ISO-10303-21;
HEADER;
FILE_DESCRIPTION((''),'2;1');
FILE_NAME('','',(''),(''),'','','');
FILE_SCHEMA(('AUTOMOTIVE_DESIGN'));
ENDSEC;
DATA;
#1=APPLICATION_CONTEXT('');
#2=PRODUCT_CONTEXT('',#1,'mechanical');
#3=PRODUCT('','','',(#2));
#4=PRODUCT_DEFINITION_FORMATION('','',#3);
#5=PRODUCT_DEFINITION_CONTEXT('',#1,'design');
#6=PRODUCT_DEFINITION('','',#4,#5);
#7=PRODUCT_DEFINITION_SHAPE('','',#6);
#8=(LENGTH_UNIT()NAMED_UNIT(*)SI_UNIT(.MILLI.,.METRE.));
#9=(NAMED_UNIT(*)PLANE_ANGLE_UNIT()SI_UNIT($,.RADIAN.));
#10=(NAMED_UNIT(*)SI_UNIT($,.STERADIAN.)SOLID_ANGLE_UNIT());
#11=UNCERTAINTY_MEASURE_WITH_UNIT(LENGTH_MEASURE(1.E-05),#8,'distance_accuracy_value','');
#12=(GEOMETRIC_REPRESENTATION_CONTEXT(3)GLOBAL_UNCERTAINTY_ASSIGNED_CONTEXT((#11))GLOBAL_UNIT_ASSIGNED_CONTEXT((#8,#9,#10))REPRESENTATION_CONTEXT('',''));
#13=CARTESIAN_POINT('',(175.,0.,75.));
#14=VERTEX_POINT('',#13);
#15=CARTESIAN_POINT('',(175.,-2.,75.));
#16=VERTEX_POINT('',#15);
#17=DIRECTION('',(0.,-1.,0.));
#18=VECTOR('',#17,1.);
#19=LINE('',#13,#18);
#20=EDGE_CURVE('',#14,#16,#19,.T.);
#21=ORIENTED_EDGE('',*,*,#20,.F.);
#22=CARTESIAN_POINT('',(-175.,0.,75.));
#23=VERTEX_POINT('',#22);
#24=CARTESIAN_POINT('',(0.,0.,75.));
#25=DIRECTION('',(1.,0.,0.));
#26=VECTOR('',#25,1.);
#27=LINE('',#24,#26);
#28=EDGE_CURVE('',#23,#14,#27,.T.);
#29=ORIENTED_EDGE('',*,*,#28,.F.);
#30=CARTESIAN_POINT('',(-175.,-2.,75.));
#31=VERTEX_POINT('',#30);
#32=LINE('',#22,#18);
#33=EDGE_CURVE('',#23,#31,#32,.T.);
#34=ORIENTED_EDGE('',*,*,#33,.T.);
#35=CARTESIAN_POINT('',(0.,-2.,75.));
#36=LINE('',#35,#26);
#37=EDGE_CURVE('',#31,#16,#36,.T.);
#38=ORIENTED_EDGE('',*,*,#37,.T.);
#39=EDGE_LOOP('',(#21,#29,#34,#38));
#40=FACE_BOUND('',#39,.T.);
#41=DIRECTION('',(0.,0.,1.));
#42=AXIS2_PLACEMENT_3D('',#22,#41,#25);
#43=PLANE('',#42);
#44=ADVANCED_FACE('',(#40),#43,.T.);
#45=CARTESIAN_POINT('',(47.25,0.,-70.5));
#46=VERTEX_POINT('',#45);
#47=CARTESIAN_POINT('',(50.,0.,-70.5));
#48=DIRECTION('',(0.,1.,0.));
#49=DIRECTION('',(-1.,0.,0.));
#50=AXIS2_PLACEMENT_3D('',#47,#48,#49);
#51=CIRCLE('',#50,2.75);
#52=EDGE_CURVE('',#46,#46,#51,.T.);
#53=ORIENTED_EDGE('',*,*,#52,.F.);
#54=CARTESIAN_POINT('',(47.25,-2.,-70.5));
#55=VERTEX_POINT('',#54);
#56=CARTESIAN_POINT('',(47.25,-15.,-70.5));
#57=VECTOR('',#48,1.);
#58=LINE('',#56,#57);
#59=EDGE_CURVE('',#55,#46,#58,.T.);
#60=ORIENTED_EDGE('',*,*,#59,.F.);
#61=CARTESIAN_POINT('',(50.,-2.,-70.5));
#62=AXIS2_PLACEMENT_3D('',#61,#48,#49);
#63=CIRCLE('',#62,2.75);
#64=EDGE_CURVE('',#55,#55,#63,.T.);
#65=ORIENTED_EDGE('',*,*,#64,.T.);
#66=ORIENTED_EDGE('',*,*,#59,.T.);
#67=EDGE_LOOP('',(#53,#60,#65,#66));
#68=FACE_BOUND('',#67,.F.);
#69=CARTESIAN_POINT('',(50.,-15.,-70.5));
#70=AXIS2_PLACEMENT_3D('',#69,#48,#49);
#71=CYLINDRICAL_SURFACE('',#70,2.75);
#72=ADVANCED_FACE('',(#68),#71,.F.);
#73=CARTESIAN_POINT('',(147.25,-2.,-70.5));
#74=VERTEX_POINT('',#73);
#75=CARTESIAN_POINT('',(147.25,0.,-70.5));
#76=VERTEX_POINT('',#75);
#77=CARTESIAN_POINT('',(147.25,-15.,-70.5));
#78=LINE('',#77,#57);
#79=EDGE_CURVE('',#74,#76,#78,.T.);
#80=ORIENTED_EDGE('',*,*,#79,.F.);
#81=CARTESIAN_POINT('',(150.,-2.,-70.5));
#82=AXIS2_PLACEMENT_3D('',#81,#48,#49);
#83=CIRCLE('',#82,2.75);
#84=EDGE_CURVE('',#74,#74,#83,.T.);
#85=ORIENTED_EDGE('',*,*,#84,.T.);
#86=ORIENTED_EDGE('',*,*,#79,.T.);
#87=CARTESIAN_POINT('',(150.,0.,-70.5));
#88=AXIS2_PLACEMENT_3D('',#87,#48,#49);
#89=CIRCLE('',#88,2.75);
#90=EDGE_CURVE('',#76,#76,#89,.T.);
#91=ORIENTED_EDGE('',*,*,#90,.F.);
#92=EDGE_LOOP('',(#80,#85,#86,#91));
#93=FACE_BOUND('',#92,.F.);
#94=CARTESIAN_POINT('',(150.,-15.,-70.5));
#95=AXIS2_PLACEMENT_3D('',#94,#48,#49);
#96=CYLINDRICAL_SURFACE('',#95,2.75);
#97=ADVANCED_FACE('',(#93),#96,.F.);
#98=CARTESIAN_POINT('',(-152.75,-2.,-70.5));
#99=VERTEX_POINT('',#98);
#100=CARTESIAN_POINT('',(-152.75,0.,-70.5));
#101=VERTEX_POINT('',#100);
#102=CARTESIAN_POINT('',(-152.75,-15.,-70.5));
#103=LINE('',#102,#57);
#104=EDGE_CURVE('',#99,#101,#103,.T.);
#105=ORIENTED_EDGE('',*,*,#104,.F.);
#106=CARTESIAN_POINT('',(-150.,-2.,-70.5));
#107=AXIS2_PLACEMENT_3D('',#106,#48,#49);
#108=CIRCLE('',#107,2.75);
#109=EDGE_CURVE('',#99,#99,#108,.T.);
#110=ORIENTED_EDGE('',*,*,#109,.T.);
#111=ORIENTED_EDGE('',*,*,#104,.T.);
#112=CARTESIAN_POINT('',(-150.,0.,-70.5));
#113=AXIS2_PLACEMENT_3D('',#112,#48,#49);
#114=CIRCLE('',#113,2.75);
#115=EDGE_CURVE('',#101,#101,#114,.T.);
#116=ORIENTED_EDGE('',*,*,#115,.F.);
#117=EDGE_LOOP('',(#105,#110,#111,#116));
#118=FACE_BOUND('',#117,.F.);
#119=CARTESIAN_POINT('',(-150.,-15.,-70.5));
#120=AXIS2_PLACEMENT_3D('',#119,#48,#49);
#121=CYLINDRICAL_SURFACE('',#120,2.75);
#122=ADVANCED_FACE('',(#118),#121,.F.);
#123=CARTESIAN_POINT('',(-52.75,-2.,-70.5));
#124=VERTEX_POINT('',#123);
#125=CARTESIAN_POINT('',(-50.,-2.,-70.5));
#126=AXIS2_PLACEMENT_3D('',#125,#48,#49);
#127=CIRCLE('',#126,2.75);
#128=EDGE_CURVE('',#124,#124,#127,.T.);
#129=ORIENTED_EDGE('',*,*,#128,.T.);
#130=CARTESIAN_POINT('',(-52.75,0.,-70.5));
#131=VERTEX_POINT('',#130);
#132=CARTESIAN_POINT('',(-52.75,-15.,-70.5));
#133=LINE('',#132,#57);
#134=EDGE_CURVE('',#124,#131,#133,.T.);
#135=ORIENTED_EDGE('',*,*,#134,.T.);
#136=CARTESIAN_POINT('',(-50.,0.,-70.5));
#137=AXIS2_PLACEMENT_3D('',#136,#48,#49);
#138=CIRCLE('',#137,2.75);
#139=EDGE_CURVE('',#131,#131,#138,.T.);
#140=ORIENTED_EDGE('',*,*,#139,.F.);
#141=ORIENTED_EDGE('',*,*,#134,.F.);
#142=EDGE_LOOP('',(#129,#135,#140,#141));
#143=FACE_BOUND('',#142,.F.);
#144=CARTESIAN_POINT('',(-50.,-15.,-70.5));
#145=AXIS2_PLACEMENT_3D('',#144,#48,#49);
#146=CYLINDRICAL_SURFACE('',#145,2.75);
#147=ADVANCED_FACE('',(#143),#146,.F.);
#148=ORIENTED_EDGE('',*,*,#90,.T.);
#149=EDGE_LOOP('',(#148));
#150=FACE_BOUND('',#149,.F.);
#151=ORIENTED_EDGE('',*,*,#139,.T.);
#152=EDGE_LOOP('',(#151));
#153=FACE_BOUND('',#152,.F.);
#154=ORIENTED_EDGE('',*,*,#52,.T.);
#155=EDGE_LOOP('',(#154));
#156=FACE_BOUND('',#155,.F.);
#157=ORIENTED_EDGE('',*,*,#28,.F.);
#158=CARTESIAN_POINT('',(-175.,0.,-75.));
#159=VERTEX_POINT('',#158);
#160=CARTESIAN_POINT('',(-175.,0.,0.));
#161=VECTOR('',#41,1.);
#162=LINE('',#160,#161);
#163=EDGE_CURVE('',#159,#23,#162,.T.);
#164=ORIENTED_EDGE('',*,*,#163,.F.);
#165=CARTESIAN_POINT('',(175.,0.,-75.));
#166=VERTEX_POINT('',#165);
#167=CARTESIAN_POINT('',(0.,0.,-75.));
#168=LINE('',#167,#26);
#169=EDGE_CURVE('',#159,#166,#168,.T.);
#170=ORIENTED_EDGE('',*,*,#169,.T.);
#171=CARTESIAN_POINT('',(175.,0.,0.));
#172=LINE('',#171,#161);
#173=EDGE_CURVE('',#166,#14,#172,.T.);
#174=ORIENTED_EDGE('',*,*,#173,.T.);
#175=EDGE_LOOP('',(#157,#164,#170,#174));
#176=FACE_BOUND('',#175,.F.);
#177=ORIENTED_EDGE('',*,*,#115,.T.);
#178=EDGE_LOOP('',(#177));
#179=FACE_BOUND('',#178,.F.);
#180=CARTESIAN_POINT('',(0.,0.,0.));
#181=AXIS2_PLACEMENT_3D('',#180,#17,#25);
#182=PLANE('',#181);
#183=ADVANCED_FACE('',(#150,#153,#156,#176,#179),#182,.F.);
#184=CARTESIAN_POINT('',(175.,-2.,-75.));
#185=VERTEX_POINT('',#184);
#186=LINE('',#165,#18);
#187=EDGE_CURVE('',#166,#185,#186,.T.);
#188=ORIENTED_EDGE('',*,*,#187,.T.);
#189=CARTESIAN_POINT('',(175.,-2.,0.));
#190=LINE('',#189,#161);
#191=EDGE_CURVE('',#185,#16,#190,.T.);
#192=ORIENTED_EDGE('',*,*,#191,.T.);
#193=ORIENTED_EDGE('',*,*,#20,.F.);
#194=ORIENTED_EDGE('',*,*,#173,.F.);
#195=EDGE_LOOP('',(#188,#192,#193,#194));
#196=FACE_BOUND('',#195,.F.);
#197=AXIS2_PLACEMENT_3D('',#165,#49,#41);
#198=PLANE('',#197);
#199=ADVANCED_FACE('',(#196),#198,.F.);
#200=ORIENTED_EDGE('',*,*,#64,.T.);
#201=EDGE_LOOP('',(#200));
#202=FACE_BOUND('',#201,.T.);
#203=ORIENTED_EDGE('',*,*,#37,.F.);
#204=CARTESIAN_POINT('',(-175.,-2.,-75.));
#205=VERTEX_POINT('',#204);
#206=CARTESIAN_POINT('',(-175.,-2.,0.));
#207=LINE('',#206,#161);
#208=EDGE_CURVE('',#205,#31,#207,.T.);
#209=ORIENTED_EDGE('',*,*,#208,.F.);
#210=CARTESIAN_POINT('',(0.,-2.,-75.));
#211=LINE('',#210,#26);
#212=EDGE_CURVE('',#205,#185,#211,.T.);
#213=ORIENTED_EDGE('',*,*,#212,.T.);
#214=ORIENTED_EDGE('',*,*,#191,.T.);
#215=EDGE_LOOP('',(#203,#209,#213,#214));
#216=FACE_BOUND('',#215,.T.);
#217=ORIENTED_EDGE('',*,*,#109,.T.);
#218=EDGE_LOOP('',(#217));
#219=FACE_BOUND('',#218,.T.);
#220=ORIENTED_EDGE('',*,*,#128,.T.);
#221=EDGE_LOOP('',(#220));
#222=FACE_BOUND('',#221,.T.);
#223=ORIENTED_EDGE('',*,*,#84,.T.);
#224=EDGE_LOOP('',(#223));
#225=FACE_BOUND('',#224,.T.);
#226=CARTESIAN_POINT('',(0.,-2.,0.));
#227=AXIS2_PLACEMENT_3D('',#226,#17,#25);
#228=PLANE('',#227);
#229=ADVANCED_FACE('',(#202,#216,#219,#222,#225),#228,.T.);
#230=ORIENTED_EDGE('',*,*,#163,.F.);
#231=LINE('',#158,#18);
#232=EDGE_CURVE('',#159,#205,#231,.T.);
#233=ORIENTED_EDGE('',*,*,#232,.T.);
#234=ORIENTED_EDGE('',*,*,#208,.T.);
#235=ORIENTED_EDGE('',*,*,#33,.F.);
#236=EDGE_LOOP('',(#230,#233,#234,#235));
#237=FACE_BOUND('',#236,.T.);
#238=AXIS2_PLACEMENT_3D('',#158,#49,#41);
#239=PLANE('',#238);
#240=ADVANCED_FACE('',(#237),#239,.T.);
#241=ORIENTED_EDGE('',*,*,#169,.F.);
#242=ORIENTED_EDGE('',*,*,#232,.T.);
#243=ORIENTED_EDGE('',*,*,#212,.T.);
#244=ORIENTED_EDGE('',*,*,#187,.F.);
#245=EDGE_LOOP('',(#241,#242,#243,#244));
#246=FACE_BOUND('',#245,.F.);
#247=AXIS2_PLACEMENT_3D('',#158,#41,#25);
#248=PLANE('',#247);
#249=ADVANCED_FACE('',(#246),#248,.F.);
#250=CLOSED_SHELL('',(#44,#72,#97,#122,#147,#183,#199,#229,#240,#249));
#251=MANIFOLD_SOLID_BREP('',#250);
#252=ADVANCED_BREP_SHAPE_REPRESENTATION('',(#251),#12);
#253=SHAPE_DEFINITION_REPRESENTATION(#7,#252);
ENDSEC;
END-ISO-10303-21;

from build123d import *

# Parameters (mm, degrees)
F0_W     = 350
F0_H     = 150
F1_DEPTH = 2
F3_D     = 5.5
F3_DEPTH = 13
F3_TIP   = 1.6523667023


with BuildPart() as f1:
    # F0 (on Front) → F1 (new body)
    with BuildSketch(Plane.XZ):
        Rectangle(F0_W, F0_H)
    extrude(amount=F1_DEPTH)

    # F3
    with Locations(Plane.XZ.offset(2)):
        with Locations((-150, -70.5), (-50, -70.5), (50, -70.5), (150, -70.5)):
            Hole(F3_D / 2, depth=F3_DEPTH)
            with Locations((0, 0, -(F3_DEPTH + F3_TIP / 2))):  # 118° drill point
                Cone(0, F3_D / 2, F3_TIP, mode=Mode.SUBTRACT)


solid = f1.part
